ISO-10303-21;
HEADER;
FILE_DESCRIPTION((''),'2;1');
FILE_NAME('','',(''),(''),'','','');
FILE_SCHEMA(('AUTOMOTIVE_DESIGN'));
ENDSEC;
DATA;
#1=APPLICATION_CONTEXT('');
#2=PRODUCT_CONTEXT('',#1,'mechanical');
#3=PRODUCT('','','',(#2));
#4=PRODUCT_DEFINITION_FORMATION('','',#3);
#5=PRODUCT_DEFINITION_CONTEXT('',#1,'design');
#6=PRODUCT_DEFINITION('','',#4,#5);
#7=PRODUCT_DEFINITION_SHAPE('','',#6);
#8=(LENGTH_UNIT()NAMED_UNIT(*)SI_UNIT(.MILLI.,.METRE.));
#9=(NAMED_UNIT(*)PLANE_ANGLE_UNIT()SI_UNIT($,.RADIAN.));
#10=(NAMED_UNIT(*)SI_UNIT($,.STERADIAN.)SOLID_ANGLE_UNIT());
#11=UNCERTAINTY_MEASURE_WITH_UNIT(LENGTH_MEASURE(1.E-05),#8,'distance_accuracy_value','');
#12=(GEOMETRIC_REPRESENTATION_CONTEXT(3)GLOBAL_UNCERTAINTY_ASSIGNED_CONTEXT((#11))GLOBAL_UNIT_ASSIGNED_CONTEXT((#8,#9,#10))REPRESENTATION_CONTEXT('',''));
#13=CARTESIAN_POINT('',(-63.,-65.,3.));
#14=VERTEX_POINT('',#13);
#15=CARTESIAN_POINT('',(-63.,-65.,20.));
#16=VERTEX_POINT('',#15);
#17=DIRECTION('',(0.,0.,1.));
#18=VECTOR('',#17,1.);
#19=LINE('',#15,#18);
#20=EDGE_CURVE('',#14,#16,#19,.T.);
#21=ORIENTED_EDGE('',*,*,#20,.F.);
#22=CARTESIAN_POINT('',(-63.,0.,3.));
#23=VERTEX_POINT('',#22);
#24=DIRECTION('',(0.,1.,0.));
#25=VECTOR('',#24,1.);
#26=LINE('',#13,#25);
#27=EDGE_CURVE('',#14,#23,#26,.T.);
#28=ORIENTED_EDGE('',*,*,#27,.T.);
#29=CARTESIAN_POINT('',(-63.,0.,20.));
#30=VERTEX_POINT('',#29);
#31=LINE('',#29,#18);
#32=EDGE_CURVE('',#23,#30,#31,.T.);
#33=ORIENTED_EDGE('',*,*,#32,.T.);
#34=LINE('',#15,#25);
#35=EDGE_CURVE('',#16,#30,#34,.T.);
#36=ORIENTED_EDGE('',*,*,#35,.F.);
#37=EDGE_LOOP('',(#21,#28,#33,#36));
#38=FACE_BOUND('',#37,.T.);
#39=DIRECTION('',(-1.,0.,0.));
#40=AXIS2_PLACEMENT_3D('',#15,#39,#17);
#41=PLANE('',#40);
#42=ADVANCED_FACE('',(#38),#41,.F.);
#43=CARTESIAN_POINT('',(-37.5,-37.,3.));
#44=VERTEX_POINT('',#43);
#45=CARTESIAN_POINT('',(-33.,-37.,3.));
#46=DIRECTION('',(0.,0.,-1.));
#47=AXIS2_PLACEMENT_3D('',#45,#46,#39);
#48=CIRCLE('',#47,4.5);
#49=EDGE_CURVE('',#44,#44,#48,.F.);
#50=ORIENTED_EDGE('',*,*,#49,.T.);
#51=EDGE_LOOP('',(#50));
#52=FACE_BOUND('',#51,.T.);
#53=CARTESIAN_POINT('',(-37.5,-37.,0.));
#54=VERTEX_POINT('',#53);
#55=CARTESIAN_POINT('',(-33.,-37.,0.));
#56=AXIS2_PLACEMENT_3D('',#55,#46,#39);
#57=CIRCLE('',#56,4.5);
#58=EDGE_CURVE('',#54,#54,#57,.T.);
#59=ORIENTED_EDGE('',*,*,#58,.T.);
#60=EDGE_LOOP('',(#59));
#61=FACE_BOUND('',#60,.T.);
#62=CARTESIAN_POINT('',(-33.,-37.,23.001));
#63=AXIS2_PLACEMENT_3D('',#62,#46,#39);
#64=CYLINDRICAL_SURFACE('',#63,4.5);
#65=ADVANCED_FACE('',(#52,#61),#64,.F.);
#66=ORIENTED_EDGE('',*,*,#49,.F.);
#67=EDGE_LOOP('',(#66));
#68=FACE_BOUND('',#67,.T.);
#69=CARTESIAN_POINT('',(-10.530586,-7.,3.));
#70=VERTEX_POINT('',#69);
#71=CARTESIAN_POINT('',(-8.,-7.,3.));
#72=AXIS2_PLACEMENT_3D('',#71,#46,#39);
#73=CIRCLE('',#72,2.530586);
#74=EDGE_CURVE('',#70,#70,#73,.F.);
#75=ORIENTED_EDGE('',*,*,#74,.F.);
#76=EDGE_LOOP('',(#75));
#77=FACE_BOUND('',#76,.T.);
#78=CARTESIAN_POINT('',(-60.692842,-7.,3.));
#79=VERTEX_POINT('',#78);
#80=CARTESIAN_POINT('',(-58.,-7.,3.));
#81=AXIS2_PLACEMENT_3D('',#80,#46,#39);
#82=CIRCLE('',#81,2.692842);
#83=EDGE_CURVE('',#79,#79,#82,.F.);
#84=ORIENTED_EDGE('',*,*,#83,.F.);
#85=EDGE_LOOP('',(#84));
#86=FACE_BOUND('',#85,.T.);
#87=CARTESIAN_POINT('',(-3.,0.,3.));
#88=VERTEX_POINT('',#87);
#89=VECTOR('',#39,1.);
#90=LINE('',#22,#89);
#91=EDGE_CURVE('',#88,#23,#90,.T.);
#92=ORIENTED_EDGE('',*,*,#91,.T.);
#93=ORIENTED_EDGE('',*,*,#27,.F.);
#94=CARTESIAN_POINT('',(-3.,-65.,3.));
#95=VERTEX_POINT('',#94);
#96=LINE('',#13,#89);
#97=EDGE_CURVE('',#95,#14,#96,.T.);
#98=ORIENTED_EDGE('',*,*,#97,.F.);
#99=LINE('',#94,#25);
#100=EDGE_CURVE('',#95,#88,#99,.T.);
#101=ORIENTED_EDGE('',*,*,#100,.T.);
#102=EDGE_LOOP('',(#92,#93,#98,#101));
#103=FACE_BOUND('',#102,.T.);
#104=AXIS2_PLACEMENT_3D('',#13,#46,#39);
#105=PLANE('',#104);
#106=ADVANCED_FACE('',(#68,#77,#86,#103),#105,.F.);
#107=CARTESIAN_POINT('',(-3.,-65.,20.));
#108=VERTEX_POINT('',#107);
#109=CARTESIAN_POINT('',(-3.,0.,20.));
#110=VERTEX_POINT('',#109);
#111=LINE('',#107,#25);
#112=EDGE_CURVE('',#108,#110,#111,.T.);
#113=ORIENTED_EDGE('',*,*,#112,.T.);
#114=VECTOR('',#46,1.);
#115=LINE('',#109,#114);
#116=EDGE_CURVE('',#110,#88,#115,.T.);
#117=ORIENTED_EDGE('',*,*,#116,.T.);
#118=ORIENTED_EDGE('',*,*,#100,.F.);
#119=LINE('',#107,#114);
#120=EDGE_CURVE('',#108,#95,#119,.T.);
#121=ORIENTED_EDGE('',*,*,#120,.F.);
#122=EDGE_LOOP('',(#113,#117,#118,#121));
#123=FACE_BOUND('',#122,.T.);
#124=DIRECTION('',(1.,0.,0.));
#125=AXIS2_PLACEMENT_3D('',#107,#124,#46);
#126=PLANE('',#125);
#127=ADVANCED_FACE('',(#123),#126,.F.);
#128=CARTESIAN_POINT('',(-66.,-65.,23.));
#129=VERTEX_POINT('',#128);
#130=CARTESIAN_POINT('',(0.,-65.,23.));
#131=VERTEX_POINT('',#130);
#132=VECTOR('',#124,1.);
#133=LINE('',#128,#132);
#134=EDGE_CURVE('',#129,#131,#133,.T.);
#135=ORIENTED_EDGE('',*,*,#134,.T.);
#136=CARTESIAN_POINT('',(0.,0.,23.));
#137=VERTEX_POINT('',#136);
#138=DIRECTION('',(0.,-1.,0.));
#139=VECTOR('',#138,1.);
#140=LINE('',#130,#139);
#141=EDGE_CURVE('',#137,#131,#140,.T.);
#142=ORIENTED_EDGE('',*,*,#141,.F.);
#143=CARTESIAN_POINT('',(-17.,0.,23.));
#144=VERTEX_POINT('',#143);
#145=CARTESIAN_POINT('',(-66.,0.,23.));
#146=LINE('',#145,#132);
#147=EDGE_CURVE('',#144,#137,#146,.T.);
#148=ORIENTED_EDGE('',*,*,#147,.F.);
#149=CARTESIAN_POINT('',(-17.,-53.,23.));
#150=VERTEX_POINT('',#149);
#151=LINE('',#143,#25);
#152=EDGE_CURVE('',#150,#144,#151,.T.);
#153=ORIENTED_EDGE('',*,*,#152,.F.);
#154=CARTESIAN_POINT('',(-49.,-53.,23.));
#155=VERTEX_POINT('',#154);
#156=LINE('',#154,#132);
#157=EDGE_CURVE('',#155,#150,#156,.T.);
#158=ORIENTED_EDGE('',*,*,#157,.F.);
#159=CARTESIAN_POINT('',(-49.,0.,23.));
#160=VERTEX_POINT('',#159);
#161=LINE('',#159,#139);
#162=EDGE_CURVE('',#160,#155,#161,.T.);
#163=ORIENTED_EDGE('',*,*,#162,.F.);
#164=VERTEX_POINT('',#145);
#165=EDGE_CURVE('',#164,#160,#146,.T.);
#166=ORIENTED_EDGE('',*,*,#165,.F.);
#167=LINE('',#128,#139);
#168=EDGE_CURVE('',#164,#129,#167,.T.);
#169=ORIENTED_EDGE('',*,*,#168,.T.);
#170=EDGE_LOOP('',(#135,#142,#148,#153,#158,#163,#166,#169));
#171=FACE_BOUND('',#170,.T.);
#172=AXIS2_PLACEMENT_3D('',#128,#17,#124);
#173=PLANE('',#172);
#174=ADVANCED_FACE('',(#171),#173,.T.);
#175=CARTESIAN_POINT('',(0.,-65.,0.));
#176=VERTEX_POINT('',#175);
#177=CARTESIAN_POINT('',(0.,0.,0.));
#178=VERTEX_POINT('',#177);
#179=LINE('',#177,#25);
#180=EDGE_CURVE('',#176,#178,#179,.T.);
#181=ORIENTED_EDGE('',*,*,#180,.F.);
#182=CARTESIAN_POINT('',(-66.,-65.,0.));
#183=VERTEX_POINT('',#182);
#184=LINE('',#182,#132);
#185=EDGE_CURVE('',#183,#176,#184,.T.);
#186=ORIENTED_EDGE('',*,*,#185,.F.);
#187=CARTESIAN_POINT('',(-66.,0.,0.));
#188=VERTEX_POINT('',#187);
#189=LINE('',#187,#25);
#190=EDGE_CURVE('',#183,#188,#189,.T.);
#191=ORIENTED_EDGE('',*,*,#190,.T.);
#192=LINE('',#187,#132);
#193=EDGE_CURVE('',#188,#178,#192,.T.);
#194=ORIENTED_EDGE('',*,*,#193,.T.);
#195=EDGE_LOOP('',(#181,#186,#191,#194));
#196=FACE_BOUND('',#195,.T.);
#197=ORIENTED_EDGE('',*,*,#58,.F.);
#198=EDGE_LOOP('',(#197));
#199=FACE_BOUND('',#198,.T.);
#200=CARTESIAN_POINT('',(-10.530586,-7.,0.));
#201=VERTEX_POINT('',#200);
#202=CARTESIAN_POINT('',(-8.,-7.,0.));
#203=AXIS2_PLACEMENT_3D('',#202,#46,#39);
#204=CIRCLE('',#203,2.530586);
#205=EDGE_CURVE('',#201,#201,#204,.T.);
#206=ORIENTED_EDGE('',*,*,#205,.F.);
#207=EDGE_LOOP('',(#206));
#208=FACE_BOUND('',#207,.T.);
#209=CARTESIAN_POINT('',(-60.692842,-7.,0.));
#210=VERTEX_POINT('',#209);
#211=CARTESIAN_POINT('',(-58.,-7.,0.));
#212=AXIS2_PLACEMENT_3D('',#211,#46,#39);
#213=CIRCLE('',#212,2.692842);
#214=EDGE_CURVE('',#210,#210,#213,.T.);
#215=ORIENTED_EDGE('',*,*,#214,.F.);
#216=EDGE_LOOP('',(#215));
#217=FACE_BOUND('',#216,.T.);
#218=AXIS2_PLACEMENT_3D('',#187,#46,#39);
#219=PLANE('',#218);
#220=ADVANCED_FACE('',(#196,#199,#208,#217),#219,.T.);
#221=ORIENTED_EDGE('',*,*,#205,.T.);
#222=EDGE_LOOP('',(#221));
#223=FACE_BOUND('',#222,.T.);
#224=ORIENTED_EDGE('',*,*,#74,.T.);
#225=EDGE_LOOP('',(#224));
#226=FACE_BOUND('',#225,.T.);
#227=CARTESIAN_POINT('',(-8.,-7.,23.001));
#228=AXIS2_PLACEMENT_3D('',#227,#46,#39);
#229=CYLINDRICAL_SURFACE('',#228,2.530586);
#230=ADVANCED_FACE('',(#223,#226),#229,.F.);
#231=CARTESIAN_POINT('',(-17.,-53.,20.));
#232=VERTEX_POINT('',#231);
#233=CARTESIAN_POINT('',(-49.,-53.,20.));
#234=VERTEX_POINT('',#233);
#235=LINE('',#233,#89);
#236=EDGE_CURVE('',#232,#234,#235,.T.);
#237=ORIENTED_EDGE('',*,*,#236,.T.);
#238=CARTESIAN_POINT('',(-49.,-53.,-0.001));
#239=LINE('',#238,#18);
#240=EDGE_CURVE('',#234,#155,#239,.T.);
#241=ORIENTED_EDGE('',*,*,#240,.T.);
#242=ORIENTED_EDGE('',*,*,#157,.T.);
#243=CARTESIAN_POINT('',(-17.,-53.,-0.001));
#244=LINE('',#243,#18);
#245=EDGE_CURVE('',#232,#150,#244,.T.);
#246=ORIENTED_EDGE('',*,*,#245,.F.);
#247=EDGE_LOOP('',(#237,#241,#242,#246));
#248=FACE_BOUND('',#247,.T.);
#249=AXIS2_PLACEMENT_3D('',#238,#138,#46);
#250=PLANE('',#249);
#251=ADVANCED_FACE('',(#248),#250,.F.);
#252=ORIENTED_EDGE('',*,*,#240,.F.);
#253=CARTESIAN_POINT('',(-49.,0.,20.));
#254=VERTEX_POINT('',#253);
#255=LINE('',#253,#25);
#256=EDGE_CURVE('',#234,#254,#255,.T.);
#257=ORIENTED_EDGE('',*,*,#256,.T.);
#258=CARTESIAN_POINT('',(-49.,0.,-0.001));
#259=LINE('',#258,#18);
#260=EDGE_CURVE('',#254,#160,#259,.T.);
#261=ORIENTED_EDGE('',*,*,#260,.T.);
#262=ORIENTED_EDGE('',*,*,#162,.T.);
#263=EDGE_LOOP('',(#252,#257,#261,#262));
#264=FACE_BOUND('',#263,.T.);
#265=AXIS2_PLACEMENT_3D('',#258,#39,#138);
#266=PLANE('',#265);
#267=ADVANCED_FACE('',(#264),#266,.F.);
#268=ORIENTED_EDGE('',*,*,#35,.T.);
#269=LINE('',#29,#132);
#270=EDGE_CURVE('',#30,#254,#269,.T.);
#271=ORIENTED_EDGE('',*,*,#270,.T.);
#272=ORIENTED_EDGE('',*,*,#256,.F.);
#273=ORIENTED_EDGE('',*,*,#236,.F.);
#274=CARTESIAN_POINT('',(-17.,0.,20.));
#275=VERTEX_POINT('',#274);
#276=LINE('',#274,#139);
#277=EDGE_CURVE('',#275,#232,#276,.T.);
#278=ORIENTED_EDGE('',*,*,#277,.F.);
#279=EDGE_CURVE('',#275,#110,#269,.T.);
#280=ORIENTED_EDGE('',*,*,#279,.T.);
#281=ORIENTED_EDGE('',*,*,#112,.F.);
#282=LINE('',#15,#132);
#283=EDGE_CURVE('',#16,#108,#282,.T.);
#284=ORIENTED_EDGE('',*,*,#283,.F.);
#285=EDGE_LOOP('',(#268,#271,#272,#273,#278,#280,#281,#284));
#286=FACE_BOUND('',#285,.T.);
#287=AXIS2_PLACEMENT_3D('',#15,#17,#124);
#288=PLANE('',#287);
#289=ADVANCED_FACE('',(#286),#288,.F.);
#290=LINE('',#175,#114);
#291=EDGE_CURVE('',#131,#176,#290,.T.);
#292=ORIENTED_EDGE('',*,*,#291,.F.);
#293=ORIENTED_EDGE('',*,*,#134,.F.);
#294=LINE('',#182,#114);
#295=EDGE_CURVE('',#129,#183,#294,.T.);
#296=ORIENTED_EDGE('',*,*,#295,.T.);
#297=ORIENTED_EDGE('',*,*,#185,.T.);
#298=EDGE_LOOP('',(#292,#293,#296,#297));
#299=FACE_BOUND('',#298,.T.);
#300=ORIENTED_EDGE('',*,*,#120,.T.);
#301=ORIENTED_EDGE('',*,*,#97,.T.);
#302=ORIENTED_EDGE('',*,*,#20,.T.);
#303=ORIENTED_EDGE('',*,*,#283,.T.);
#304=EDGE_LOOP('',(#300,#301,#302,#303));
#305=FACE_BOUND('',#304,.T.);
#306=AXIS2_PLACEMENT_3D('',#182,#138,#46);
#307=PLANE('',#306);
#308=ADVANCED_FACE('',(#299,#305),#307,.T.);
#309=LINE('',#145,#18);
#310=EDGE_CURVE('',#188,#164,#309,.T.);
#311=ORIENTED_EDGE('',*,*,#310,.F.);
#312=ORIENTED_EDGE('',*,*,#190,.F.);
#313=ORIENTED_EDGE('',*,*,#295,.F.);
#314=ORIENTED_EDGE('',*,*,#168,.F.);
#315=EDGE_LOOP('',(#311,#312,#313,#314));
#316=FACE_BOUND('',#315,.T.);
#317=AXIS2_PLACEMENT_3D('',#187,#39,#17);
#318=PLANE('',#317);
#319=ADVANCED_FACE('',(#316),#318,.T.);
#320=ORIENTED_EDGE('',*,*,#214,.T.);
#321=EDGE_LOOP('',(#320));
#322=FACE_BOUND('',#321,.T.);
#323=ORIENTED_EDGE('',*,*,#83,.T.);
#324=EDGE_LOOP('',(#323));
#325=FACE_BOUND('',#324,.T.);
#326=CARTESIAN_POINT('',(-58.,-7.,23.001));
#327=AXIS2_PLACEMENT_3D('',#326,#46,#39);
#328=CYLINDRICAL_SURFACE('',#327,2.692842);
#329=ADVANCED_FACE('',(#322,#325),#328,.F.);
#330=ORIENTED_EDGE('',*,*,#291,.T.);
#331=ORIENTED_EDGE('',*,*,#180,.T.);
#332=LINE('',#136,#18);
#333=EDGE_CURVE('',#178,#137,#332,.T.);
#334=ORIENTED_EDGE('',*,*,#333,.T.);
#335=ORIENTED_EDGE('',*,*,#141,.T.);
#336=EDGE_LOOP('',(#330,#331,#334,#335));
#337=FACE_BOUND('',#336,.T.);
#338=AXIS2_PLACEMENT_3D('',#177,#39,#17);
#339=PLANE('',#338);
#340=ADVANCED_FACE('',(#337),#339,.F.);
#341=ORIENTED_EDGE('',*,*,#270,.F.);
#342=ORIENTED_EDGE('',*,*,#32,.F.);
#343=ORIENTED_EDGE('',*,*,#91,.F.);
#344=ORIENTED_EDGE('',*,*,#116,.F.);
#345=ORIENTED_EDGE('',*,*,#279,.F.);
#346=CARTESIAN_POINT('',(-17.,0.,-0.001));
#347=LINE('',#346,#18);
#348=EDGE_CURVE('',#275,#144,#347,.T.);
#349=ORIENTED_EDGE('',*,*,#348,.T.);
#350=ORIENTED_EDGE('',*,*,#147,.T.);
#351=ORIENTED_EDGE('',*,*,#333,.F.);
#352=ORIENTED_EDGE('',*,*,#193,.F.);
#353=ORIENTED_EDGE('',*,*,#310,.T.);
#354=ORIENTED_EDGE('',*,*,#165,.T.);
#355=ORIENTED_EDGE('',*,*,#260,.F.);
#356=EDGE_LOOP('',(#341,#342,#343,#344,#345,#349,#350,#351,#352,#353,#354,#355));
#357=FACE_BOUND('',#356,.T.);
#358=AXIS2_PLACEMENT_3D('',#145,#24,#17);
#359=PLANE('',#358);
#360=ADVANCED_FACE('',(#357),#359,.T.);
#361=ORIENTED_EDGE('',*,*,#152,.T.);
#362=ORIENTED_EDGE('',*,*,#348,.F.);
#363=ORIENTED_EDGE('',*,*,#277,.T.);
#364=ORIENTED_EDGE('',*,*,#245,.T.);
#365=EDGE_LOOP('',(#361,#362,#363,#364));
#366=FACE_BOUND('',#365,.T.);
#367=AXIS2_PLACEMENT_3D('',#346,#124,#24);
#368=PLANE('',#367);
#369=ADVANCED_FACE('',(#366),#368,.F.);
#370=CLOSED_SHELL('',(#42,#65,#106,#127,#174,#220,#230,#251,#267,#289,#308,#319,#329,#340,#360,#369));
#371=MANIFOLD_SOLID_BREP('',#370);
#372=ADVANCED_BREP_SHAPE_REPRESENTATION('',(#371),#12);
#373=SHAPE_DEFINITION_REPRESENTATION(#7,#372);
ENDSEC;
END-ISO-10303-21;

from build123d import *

# Parameters (mm, degrees)
SKETCH1_W           = 23
SKETCH1_H           = 65
BOSS_EXTRUDE1_DEPTH = 66
SKETCH2_W           = 60
SKETCH2_H           = 17
CUT_EXTRUDE1_DEPTH  = 66
CUT_EXTRUDE2_REACH  = 25
SKETCH3_W           = 32
SKETCH3_H           = 53
CUT_EXTRUDE3_REACH  = 25
SKETCH5_R           = 4.5
SKETCH5_R_2         = 2.530586218
SKETCH5_R_3         = 2.69284222


with BuildPart() as part:
    # Sketch1 → Boss-Extrude1 (new body)
    with BuildSketch(Plane(origin=(0, 0, 0), x_dir=(0, 0, -1), z_dir=(1, 0, 0))):
        with Locations((-11.5, -32.5)):
            Rectangle(SKETCH1_W, SKETCH1_H)
    extrude(amount=-BOSS_EXTRUDE1_DEPTH)

    # Sketch2 → Cut-Extrude1 (cut, through all)
    with BuildSketch(Plane(origin=(0, 0, 0), x_dir=(1, 0, 0), z_dir=(0, 1, 0))):
        with Locations((-33, -11.5)):
            Rectangle(SKETCH2_W, SKETCH2_H)
    extrude(amount=-CUT_EXTRUDE1_DEPTH, mode=Mode.SUBTRACT)

    # Sketch3 → Cut-Extrude2 (cut, up to next)
    with BuildSketch(Plane.XY.offset(23), mode=Mode.PRIVATE) as cut_extrude2_sk1:
        with Locations((-33, -26.5)):
            Rectangle(SKETCH3_W, SKETCH3_H)
    cut_extrude2_tool1 = extrude(cut_extrude2_sk1.sketch, amount=-CUT_EXTRUDE2_REACH, mode=Mode.PRIVATE) & part.part
    add(cut_extrude2_tool1.solids().sort_by_distance((-33, -26.5, 23))[0], mode=Mode.SUBTRACT)

    # Sketch5 → Cut-Extrude3 (cut, up to next)
    with BuildSketch(Plane(origin=(0, 0, 0), x_dir=(-1, 0, 0), z_dir=(0, 0, -1)), mode=Mode.PRIVATE) as cut_extrude3_sk1:
        with Locations((33, -37)):
            Circle(SKETCH5_R)
    cut_extrude3_tool1 = extrude(cut_extrude3_sk1.sketch, amount=-CUT_EXTRUDE3_REACH, mode=Mode.PRIVATE) & part.part
    add(cut_extrude3_tool1.solids().sort_by_distance((-33, -37, 0))[0], mode=Mode.SUBTRACT)
    # Sketch5 → Cut-Extrude3 (cut, up to next)
    with BuildSketch(Plane(origin=(0, 0, 0), x_dir=(-1, 0, 0), z_dir=(0, 0, -1)), mode=Mode.PRIVATE) as cut_extrude3_sk2:
        with Locations((8, -7)):
            Circle(SKETCH5_R_2)
    cut_extrude3_tool2 = extrude(cut_extrude3_sk2.sketch, amount=-CUT_EXTRUDE3_REACH, mode=Mode.PRIVATE) & part.part
    add(cut_extrude3_tool2.solids().sort_by_distance((-8, -7, 0))[0], mode=Mode.SUBTRACT)
    # Sketch5 → Cut-Extrude3 (cut, up to next)
    with BuildSketch(Plane(origin=(0, 0, 0), x_dir=(-1, 0, 0), z_dir=(0, 0, -1)), mode=Mode.PRIVATE) as cut_extrude3_sk3:
        with Locations((58, -7)):
            Circle(SKETCH5_R_3)
    cut_extrude3_tool3 = extrude(cut_extrude3_sk3.sketch, amount=-CUT_EXTRUDE3_REACH, mode=Mode.PRIVATE) & part.part
    add(cut_extrude3_tool3.solids().sort_by_distance((-58, -7, 0))[0], mode=Mode.SUBTRACT)


solid = part.part
